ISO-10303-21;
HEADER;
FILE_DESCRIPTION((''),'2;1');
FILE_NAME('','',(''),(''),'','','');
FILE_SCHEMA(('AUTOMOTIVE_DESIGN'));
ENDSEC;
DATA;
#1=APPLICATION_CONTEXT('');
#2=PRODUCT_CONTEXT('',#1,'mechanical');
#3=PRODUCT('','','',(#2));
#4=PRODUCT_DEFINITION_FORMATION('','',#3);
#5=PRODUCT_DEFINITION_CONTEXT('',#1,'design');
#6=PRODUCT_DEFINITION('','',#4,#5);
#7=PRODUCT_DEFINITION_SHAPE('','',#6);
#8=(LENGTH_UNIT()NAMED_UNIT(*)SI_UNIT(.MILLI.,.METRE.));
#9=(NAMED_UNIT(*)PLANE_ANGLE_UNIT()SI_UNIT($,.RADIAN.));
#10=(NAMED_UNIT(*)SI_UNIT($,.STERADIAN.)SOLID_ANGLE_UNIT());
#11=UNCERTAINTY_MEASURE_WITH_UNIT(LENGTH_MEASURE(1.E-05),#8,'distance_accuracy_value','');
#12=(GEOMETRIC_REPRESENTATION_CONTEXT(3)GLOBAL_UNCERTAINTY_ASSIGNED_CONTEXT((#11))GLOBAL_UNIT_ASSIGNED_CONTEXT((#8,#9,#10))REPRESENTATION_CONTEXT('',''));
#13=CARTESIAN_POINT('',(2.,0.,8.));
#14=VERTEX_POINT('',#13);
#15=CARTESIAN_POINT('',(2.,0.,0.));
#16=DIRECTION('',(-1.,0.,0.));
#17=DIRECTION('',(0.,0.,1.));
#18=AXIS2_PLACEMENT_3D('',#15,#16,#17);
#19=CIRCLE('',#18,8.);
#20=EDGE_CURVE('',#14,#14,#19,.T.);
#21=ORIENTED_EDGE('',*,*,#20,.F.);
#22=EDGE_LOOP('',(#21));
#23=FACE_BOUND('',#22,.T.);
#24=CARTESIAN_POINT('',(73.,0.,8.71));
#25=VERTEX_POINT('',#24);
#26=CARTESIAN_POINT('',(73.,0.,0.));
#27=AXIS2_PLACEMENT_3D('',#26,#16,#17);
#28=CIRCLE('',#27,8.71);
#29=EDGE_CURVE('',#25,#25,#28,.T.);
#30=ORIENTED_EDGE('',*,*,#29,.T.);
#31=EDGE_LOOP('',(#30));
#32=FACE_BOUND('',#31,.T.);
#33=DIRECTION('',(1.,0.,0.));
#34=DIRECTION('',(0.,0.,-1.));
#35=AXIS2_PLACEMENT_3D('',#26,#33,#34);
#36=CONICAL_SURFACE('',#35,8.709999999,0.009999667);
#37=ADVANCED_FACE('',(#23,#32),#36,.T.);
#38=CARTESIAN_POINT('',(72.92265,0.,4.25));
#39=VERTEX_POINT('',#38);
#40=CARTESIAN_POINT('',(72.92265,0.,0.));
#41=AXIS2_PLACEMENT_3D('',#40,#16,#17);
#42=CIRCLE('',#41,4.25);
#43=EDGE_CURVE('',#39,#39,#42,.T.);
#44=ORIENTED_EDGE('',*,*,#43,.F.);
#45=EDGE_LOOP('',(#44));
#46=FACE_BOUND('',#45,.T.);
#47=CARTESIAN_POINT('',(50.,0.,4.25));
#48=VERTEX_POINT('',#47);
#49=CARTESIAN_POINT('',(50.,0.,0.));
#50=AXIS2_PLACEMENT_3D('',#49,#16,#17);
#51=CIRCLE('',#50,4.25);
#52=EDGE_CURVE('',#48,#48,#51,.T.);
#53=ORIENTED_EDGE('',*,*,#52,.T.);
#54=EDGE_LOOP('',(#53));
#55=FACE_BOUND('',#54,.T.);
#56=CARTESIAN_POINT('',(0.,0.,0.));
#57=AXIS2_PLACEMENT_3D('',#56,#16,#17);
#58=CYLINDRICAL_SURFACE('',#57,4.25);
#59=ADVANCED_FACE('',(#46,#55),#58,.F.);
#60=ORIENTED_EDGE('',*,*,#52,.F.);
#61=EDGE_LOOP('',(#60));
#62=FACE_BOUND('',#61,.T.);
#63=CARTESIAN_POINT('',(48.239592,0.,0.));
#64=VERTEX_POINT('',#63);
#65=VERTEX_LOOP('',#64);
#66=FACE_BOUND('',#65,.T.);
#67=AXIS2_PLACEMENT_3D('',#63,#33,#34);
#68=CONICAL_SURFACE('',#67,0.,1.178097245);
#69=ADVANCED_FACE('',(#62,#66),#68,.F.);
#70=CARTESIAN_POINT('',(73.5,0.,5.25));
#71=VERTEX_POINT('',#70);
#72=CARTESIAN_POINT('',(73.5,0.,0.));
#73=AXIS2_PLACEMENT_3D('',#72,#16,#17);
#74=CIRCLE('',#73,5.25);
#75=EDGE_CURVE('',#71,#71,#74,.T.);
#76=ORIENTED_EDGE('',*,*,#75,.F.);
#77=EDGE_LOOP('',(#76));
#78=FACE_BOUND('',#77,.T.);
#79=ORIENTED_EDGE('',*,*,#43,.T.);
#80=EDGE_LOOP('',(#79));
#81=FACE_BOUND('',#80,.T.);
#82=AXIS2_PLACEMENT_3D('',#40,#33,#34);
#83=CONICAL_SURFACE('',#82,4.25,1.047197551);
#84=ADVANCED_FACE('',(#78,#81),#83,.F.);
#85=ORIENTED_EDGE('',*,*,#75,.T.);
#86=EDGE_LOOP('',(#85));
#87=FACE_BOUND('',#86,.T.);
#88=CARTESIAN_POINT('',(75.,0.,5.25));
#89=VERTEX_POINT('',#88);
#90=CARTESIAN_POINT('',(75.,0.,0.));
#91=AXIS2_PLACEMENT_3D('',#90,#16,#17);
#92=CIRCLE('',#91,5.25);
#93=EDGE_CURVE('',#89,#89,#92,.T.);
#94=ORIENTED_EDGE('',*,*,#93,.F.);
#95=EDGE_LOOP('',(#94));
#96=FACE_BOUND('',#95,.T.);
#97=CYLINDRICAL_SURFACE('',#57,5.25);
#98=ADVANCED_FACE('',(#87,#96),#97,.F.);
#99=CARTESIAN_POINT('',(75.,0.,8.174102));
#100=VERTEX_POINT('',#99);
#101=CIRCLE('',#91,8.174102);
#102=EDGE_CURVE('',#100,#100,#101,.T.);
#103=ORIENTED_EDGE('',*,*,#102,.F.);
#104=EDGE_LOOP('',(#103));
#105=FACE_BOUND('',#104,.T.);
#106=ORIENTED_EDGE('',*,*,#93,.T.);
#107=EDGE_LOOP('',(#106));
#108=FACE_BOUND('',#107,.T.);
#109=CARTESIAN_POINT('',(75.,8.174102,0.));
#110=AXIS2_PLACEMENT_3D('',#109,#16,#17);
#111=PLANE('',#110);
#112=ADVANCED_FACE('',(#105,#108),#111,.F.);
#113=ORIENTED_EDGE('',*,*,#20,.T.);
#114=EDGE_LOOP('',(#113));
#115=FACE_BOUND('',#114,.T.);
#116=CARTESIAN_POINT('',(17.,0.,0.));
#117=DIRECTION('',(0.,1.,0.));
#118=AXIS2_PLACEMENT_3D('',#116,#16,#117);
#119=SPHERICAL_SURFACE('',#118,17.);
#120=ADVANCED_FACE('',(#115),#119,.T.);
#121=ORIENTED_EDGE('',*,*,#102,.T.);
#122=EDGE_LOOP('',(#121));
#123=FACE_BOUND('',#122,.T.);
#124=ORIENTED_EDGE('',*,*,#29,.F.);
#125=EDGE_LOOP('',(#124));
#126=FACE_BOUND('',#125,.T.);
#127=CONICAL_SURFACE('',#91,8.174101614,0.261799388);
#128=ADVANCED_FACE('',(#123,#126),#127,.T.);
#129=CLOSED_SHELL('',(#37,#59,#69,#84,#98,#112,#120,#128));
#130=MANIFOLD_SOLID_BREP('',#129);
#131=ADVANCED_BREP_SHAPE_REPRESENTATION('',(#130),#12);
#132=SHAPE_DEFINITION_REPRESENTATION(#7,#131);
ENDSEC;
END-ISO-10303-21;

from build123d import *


with BuildPart() as part:
    # BodySke → Body (revolve)
    with BuildSketch(Plane.XY, mode=Mode.PRIVATE) as body_sk:
        with BuildLine():
            Line((2, 8), (73, 8.709999999))
            Line((73, 8.709999999), (75, 8.174101614))
            Line((75, 8.174101614), (75, 5.25))
            Line((75, 5.25), (73.5, 5.25))
            Line((73.5, 5.25), (72.922649731, 4.25))
            Line((72.922649731, 4.25), (50, 4.25))
            Line((50, 4.25), (48.23959236, 0))
            Line((48.23959236, 0), (0, 0))
            ThreePointArc((0, 0), (0.507577498, 4.123105626), (2, 8))
        make_face()
    revolve(body_sk.sketch.rotate(Axis((0, 0, 0), (1, 0, 0)), 90), axis=Axis((0, 0, 0), (1, 0, 0)))


solid = part.part
